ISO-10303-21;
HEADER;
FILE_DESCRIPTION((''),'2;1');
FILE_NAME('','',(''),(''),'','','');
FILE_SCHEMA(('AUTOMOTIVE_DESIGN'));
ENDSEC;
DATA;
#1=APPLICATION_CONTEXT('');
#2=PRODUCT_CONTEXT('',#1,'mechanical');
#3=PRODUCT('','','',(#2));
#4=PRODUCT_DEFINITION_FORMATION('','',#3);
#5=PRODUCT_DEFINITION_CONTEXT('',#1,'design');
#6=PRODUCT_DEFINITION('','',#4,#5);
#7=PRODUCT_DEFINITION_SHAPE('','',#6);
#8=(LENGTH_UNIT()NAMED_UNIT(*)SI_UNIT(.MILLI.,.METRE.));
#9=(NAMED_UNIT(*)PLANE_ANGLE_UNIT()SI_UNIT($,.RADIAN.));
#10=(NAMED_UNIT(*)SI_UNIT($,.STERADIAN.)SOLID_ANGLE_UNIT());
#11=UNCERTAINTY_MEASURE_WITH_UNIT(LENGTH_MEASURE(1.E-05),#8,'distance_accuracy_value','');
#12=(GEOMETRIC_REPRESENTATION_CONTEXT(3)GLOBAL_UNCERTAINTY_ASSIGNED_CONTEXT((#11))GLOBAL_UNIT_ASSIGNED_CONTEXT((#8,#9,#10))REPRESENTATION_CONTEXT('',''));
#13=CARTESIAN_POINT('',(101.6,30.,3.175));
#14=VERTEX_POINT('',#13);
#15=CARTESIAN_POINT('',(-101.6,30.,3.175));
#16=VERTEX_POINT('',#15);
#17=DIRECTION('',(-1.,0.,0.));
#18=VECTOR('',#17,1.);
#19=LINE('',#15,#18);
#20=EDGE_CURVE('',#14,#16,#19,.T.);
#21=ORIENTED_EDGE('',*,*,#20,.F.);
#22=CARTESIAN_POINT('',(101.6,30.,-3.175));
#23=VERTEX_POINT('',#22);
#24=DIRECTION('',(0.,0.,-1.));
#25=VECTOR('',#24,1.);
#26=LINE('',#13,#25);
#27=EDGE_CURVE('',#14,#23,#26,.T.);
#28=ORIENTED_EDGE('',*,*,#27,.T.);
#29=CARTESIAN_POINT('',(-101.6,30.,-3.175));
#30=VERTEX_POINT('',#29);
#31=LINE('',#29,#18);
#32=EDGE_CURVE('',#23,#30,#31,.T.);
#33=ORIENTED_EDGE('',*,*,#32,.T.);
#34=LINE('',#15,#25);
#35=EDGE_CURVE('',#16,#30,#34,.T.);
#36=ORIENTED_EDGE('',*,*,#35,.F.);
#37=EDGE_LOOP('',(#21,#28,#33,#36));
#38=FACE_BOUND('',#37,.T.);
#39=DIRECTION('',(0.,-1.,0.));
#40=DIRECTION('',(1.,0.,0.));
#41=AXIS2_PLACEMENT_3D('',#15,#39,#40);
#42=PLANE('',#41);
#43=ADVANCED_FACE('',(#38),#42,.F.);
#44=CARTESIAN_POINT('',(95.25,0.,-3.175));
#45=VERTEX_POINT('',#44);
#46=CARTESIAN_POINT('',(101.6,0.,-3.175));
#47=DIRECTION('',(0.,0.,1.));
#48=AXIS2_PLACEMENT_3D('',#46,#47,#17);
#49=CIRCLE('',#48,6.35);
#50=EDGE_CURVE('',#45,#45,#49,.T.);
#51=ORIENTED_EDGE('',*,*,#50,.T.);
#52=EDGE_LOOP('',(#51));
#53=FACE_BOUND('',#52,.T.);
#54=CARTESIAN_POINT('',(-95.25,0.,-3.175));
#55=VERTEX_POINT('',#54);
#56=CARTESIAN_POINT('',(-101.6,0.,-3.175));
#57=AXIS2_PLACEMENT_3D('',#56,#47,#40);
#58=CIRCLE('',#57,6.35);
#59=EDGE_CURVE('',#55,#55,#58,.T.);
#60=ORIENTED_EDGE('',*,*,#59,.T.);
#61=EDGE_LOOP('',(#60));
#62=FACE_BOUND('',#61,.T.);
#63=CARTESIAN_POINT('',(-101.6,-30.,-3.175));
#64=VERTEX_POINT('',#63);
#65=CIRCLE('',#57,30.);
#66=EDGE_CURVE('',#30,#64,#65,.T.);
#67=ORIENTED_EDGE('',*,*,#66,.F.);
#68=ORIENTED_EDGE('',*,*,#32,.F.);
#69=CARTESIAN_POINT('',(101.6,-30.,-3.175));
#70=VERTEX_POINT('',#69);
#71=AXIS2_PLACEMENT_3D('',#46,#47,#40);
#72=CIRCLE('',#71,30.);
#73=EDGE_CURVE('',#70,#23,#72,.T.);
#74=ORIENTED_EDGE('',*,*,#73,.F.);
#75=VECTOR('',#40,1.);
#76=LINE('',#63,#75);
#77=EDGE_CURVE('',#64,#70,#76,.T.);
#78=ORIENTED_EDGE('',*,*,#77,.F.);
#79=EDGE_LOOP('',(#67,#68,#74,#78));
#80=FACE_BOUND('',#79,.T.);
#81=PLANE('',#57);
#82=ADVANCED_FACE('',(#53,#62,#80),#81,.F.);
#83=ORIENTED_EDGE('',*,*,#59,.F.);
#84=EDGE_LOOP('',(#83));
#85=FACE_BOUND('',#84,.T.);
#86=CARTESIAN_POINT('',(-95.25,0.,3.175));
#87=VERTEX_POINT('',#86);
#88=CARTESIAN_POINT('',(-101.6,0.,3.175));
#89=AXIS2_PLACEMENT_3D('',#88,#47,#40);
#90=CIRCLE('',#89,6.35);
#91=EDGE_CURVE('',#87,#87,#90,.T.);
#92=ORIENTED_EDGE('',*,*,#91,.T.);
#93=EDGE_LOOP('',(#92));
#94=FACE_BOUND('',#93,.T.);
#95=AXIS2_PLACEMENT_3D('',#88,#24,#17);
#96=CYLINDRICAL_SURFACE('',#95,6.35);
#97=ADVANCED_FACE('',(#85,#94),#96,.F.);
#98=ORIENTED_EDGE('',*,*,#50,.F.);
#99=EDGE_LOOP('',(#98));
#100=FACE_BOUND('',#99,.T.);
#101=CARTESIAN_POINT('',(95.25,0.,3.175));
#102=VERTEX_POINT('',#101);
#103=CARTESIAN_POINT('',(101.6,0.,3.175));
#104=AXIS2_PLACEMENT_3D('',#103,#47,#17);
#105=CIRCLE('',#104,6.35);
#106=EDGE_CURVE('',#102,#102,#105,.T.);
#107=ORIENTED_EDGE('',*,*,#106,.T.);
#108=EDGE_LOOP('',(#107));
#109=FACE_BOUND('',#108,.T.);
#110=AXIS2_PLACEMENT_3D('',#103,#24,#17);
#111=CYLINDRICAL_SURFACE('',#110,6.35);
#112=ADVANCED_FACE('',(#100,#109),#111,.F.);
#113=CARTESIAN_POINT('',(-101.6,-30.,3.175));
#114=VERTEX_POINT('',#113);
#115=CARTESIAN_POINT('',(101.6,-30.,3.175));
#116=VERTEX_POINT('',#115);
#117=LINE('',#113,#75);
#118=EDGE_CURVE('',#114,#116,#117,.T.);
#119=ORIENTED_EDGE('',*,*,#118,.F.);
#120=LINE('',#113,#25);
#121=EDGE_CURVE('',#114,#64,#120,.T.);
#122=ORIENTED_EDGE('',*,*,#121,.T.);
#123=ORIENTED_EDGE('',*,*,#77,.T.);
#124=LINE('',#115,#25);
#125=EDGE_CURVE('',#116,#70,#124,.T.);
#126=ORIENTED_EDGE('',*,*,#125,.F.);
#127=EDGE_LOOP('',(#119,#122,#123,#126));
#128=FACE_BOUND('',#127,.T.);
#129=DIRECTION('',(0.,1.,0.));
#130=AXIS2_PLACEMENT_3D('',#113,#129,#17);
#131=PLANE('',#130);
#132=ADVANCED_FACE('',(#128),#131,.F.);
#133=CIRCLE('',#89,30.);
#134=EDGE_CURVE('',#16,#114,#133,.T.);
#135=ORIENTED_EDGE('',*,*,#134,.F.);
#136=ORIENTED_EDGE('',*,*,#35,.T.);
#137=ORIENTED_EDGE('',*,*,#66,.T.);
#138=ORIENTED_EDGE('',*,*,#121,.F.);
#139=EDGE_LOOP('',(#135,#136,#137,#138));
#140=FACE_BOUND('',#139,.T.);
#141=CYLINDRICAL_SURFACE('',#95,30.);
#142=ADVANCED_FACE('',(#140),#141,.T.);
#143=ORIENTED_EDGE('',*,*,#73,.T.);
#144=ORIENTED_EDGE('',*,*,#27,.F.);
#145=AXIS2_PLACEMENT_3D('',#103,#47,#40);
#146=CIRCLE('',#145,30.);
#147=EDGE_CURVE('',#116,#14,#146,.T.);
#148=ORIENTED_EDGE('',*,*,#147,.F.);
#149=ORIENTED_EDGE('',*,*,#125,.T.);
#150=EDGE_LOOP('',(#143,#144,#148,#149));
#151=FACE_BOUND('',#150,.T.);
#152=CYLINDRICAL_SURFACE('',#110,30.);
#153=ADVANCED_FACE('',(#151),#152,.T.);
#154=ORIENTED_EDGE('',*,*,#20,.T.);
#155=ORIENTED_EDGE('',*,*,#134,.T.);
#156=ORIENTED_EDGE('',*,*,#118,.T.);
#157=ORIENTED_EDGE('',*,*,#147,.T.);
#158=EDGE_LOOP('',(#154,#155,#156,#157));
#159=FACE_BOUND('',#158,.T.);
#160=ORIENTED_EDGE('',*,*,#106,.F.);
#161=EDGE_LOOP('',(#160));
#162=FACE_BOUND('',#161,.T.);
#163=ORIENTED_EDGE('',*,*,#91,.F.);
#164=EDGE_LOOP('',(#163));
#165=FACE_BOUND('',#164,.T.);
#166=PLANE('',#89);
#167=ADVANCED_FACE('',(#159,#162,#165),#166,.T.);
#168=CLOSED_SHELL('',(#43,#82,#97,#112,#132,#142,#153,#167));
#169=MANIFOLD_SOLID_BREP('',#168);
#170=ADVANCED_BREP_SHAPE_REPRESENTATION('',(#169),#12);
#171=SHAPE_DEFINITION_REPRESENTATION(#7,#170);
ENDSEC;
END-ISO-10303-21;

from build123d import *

# Parameters (mm, degrees)
SKETCH1_R           = 6.35
BOSS_EXTRUDE1_DEPTH = 3.175


with BuildPart() as part:
    # Sketch1 → Boss-Extrude1 (new body, symmetric)
    with BuildSketch(Plane.XY):
        with BuildLine():
            Line((-101.6, 30), (101.6, 30))
            ThreePointArc((101.6, 30), (131.6, 0), (101.6, -30))
            Line((101.6, -30), (-101.6, -30))
            ThreePointArc((-101.6, -30), (-131.6, 0), (-101.6, 30))
        make_face()
        with Locations((-101.6, 0)):
            Circle(SKETCH1_R, mode=Mode.SUBTRACT)
        with Locations((101.6, 0)):
            Circle(SKETCH1_R, mode=Mode.SUBTRACT)
    extrude(amount=BOSS_EXTRUDE1_DEPTH, both=True)


solid = part.part
